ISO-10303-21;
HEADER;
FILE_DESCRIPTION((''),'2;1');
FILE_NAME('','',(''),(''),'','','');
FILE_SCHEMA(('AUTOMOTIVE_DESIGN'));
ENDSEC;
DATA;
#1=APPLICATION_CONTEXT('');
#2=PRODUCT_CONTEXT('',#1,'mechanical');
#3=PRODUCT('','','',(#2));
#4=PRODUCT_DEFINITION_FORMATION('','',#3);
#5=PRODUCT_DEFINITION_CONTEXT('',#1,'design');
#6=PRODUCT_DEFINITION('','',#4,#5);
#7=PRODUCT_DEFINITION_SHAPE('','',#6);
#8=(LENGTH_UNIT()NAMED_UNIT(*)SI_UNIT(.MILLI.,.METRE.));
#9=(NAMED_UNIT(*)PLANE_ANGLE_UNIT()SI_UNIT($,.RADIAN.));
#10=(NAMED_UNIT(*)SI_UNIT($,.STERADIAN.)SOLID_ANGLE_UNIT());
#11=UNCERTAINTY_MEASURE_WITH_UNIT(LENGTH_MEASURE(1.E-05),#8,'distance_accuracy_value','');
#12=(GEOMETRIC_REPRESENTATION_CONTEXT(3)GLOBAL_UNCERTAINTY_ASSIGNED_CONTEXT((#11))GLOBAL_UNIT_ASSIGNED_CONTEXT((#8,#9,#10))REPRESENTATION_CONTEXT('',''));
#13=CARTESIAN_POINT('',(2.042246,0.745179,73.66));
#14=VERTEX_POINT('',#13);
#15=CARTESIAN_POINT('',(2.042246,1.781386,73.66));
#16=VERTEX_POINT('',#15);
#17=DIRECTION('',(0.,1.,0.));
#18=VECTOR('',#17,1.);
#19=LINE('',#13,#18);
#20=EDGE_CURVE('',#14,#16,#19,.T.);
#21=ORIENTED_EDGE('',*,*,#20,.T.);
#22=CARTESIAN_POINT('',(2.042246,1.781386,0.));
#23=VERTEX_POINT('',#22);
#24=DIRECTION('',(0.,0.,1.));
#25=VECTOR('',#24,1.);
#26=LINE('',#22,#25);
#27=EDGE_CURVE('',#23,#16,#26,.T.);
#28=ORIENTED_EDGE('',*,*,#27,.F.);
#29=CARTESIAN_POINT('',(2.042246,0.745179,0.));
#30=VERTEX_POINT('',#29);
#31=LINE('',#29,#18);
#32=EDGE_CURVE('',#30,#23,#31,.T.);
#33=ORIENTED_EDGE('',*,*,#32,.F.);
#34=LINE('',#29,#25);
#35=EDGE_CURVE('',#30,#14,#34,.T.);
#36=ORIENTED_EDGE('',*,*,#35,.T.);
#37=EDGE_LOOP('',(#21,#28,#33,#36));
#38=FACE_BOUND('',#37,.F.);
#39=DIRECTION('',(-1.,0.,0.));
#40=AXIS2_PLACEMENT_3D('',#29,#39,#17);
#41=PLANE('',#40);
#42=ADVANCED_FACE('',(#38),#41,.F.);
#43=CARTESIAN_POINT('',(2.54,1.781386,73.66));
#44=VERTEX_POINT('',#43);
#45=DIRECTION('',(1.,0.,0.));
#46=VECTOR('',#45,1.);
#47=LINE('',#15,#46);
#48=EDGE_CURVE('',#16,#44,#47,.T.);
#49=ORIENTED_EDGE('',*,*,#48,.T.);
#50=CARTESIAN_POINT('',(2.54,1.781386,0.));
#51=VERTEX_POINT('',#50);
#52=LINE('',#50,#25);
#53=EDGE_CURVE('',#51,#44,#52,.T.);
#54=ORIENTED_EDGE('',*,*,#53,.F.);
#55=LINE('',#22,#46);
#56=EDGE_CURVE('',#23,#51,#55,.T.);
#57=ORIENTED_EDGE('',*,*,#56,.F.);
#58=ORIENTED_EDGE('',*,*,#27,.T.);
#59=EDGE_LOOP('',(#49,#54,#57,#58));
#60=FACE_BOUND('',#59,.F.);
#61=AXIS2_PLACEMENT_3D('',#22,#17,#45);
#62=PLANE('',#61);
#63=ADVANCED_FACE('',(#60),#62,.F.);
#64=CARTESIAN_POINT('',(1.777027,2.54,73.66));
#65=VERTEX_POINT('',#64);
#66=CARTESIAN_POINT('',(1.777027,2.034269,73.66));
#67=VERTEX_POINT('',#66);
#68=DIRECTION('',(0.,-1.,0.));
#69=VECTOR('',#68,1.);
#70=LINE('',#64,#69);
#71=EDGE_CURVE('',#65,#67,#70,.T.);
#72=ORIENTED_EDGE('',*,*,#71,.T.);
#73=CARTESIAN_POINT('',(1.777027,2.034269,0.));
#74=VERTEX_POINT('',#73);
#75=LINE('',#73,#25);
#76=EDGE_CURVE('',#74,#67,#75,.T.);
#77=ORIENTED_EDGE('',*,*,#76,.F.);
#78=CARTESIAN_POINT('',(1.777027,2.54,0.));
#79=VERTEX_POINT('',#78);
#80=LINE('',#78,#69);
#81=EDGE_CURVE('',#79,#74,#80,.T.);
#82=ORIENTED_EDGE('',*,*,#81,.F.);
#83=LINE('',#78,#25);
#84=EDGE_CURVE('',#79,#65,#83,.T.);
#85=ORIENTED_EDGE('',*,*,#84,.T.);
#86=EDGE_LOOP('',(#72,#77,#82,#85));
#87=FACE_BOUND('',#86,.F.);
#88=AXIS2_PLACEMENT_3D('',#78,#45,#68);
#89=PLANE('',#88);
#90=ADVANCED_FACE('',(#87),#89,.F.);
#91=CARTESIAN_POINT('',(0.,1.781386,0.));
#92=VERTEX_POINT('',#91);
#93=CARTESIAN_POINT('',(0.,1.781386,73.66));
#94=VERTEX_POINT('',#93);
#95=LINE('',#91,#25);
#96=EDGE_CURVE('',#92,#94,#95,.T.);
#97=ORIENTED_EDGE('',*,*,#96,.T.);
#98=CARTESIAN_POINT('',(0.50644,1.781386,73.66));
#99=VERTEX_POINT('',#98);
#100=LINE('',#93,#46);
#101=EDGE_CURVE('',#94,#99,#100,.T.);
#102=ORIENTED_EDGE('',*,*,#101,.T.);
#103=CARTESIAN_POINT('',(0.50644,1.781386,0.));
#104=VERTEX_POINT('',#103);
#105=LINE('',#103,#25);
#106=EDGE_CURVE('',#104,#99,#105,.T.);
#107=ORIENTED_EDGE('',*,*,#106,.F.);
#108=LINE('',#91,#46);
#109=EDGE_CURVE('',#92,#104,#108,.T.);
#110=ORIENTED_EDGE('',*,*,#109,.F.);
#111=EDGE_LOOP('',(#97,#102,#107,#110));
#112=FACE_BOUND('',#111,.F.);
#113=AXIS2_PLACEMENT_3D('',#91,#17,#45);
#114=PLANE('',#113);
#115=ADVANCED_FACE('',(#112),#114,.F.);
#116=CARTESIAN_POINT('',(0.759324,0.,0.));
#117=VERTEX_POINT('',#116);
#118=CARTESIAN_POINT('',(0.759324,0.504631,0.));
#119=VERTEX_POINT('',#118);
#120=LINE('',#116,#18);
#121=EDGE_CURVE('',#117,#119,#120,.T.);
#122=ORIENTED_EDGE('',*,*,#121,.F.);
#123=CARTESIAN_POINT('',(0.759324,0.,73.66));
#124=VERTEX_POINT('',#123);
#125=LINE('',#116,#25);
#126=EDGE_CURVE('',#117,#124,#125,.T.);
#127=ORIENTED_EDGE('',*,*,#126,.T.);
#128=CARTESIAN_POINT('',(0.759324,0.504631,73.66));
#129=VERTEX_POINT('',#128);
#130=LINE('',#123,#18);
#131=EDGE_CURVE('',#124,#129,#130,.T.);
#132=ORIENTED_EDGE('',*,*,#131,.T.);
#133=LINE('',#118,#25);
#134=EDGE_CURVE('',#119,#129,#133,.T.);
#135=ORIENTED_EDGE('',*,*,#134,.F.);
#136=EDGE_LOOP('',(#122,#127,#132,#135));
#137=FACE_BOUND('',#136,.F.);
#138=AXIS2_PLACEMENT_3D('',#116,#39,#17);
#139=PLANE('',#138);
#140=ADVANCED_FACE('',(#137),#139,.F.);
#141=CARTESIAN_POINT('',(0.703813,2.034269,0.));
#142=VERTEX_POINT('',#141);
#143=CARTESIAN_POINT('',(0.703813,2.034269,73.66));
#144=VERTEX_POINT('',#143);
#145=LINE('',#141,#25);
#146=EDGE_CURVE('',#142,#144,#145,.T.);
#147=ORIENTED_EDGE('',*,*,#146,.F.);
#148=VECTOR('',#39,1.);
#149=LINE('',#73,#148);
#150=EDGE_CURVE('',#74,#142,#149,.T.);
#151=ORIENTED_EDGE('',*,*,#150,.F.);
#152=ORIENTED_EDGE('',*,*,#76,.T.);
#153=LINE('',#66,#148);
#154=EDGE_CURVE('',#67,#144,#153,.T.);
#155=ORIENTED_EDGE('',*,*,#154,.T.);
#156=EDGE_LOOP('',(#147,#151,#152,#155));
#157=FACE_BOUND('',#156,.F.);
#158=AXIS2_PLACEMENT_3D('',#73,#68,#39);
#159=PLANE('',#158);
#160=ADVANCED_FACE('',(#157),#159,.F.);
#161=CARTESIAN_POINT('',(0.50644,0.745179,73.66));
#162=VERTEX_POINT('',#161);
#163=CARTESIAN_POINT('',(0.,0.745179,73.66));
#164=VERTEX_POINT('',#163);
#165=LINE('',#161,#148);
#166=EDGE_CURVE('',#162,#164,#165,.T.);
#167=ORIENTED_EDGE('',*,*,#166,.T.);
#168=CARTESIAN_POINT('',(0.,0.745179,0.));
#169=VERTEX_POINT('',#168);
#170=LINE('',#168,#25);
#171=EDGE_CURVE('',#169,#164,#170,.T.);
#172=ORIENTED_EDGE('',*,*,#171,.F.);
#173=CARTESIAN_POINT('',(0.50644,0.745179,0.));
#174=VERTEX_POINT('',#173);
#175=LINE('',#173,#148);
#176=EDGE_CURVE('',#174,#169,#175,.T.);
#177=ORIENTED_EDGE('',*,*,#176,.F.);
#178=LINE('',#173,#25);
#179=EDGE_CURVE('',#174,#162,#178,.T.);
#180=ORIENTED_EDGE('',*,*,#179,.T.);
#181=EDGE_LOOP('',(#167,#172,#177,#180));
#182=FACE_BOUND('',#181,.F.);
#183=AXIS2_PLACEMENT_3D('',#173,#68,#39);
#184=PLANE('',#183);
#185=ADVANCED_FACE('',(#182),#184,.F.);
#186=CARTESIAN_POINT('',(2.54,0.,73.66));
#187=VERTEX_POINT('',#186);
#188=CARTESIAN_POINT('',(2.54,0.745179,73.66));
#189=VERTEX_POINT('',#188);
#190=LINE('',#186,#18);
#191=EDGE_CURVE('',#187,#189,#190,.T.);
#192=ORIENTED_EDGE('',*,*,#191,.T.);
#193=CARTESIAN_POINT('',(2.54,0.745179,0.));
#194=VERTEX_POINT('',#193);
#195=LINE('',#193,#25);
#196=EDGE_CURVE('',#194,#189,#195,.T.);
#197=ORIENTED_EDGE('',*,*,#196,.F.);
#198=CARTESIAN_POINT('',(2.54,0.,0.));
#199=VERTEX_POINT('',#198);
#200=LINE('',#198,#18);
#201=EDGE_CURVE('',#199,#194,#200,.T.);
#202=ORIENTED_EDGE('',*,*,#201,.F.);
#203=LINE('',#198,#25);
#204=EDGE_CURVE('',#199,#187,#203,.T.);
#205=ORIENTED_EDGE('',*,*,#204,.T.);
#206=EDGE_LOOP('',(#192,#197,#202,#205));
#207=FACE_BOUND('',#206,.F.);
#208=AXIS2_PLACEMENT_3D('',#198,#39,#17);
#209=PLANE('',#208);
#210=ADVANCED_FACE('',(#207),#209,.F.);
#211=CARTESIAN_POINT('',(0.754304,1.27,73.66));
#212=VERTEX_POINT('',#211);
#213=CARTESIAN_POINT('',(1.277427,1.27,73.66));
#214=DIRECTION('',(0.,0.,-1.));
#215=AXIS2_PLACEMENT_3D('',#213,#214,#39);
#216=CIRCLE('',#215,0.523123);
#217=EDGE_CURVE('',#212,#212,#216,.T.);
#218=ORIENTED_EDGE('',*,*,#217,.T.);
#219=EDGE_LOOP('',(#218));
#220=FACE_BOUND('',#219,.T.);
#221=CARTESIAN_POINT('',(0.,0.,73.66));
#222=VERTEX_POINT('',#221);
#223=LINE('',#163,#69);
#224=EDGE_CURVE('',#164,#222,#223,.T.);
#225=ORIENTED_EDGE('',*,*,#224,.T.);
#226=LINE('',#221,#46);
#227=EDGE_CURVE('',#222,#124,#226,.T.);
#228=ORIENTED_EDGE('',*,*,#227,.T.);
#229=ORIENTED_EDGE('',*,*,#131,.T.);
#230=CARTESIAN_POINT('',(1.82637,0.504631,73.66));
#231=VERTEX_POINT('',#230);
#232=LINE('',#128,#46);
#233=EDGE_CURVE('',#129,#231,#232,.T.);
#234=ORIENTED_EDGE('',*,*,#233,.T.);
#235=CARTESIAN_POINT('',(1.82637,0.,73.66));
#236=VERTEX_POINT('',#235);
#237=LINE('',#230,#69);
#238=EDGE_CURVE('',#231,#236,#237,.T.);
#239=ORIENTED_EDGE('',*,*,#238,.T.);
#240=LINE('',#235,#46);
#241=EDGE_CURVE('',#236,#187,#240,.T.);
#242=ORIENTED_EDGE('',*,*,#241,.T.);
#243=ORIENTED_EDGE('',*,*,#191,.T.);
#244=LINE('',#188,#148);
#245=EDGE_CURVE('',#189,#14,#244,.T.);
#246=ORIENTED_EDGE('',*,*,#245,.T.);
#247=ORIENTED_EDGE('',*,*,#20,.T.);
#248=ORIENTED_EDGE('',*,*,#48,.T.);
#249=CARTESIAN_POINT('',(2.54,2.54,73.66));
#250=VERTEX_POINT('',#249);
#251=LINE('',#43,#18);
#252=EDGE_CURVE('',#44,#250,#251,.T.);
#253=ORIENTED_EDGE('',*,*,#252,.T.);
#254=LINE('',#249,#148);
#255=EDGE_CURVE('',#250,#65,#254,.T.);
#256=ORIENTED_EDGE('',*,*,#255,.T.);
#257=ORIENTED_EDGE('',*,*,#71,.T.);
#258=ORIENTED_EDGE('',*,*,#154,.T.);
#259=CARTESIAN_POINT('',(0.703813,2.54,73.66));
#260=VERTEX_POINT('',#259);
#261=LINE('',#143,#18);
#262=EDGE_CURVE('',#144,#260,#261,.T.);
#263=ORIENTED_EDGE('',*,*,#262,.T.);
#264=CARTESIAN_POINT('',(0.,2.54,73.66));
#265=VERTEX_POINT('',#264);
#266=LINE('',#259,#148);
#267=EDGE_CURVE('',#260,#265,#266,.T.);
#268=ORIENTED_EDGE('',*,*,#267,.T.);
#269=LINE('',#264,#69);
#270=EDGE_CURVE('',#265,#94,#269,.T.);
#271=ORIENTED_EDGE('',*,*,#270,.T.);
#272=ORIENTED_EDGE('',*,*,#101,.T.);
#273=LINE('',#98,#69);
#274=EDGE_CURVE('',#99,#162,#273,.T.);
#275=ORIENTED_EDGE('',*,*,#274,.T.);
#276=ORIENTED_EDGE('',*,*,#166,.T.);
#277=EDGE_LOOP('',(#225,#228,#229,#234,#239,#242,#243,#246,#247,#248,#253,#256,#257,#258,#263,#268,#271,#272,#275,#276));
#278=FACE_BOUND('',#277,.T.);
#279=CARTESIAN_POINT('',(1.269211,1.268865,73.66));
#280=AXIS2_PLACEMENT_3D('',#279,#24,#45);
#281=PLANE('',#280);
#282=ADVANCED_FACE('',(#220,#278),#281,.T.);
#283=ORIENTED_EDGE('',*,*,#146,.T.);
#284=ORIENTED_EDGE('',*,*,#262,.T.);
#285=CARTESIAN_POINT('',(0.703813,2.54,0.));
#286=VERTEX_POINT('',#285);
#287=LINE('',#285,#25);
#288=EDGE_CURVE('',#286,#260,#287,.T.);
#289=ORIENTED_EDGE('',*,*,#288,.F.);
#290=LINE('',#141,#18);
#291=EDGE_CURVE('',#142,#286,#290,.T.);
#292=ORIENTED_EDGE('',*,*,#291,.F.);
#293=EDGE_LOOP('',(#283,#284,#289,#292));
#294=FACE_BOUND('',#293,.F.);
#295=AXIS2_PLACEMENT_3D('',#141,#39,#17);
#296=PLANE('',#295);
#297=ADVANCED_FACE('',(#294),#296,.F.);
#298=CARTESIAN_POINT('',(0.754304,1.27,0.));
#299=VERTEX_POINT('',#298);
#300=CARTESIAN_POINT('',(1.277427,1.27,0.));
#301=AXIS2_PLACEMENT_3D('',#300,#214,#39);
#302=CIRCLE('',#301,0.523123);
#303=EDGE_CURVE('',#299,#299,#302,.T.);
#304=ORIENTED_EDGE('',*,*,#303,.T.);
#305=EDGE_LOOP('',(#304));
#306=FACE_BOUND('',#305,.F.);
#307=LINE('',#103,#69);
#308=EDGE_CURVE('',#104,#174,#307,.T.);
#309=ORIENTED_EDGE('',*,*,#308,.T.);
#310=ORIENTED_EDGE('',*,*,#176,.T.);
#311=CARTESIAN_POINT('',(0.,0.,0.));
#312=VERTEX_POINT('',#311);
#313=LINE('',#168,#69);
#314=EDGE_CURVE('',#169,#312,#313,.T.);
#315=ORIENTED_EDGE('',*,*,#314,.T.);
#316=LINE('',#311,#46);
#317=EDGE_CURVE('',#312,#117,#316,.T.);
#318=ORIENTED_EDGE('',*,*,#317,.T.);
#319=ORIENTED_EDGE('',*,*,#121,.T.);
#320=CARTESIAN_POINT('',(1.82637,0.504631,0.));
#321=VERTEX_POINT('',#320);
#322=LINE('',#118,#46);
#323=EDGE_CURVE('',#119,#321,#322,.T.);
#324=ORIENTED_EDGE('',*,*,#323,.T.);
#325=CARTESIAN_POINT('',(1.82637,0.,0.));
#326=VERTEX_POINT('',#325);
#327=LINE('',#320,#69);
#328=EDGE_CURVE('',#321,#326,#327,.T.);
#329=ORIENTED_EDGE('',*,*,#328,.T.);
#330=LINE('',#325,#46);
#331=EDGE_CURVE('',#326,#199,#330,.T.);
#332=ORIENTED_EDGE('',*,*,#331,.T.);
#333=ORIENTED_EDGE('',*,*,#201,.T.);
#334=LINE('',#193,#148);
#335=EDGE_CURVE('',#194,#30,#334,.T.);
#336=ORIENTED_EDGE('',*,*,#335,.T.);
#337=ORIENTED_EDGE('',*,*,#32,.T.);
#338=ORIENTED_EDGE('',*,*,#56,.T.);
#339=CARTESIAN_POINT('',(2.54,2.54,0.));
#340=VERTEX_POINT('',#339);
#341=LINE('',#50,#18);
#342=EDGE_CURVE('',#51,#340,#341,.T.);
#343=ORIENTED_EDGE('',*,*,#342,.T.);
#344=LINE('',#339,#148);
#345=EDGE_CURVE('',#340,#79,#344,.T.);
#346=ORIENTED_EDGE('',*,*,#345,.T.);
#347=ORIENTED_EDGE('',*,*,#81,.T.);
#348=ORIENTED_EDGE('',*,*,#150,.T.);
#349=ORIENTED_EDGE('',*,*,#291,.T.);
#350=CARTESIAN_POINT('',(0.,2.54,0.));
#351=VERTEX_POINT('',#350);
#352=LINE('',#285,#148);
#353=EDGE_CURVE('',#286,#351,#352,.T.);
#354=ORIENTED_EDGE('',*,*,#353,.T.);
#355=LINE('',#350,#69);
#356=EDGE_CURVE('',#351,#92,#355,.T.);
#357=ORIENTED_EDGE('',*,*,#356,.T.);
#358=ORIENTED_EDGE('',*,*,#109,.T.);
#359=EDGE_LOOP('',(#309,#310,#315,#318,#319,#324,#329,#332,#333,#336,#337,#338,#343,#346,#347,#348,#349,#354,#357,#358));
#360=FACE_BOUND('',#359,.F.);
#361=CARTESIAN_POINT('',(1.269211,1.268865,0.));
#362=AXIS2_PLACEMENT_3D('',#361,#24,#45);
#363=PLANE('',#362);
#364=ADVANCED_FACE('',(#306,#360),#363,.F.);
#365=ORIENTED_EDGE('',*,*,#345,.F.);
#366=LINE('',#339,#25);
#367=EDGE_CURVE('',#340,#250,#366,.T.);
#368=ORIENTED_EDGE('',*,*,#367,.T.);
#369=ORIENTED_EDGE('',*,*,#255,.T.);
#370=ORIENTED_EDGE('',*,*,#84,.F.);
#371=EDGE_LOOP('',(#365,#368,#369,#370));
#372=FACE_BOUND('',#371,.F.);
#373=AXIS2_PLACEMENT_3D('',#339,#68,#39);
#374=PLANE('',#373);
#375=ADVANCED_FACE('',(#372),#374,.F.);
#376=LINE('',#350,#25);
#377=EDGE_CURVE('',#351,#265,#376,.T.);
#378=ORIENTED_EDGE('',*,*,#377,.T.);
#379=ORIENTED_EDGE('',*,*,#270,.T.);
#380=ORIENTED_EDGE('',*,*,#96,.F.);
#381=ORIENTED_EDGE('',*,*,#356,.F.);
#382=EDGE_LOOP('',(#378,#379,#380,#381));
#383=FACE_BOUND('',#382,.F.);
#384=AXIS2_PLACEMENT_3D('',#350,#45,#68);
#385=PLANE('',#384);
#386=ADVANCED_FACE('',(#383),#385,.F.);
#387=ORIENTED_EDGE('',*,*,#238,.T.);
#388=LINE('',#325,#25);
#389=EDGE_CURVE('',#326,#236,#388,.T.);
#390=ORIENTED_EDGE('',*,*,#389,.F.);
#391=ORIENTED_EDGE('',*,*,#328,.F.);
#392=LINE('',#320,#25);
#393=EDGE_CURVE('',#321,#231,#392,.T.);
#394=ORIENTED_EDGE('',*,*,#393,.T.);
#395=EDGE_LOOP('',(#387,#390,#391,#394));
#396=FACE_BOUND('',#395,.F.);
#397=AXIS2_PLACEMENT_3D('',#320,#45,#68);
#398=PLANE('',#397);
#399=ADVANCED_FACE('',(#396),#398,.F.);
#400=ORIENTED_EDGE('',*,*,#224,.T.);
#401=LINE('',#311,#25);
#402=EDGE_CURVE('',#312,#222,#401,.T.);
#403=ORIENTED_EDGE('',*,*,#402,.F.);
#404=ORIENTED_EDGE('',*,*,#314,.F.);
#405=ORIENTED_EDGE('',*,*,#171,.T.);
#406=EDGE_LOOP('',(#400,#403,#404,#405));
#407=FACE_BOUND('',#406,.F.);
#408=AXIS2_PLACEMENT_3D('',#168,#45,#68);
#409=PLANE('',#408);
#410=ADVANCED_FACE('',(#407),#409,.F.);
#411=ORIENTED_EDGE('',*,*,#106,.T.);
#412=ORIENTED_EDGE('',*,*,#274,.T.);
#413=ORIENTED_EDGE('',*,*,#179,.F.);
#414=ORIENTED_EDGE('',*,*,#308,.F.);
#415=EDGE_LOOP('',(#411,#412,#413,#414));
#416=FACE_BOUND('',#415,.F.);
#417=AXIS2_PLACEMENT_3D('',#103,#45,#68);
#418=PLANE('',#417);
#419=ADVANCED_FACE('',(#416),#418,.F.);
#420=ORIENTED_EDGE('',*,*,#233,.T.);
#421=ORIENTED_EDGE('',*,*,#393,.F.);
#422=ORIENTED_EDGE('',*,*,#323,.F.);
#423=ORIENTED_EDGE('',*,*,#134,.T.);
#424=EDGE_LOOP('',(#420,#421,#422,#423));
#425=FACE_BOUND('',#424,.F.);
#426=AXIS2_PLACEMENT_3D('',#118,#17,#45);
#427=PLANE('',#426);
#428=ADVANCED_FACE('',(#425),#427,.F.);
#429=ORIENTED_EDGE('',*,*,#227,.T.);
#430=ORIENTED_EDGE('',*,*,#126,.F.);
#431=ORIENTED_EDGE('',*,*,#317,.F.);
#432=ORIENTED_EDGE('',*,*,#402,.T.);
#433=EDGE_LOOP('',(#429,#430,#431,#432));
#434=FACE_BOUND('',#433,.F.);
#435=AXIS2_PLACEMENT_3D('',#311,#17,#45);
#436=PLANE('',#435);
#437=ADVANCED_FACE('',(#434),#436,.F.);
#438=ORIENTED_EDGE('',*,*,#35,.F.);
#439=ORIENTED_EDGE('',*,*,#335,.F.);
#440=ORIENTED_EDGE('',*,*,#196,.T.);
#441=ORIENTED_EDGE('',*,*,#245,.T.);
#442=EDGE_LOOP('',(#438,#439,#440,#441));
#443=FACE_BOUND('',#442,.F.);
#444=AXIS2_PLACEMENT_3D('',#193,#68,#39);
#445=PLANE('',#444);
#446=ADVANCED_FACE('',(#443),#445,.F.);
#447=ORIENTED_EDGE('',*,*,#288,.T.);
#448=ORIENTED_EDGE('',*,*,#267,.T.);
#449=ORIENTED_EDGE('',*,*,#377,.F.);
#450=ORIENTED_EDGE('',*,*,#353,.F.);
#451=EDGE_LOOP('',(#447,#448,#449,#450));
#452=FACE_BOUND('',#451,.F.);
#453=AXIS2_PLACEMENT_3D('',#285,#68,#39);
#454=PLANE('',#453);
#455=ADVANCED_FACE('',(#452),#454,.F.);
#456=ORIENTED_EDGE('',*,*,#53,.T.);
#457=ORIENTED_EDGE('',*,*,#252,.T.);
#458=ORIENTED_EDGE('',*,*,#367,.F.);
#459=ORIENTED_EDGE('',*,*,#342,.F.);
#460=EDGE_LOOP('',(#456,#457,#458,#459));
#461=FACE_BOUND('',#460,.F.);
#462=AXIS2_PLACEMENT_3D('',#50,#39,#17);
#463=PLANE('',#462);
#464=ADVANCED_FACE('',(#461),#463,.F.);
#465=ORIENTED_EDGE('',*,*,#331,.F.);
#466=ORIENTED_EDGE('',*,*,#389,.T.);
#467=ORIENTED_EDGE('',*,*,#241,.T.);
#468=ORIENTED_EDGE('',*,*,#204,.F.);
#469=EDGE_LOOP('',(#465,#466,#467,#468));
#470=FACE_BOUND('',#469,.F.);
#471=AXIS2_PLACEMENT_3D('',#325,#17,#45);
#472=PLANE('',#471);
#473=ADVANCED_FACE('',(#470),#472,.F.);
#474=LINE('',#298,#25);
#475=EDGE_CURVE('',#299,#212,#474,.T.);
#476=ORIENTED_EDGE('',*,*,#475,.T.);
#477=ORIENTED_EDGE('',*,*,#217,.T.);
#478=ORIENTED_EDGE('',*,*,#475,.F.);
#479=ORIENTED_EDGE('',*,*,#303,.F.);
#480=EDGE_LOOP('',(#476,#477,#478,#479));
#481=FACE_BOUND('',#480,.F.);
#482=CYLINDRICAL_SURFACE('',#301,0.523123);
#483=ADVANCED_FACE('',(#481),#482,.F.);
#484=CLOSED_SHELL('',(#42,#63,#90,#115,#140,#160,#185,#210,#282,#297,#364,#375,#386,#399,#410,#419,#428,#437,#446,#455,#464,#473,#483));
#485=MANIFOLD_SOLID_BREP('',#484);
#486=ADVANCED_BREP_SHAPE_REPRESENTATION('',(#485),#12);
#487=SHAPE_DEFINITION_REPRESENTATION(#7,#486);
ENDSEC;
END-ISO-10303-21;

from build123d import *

# Parameters (mm, degrees)
F1_DEPTH = 73.66


with BuildPart() as f1:
    # F0 (on Top) → F1 (new body)
    with BuildSketch(Plane.XY):
        Polygon((0, 0.745179), (0, 0), (0.759324, 0), (0.759324, 0.504631), (1.82637, 0.504631), (1.82637, 0), (2.54, 0), (2.54, 0.745179), (2.042246, 0.745179), (2.042246, 1.781386), (2.54, 1.781386), (2.54, 2.54), (1.777027, 2.54), (1.777027, 2.034269), (0.703813, 2.034269), (0.703813, 2.54), (0, 2.54), (0, 1.781386), (0.50644, 1.781386), (0.50644, 1.27), (0.50644, 0.745179), align=None)
        with BuildLine():
            ThreePointArc((1.80055, 1.27), (1.277427, 0.746877), (0.754304, 1.27))
            ThreePointArc((0.754304, 1.27), (1.277427, 1.793123), (1.80055, 1.27))
        make_face(mode=Mode.SUBTRACT)
    extrude(amount=F1_DEPTH)


solid = f1.part
